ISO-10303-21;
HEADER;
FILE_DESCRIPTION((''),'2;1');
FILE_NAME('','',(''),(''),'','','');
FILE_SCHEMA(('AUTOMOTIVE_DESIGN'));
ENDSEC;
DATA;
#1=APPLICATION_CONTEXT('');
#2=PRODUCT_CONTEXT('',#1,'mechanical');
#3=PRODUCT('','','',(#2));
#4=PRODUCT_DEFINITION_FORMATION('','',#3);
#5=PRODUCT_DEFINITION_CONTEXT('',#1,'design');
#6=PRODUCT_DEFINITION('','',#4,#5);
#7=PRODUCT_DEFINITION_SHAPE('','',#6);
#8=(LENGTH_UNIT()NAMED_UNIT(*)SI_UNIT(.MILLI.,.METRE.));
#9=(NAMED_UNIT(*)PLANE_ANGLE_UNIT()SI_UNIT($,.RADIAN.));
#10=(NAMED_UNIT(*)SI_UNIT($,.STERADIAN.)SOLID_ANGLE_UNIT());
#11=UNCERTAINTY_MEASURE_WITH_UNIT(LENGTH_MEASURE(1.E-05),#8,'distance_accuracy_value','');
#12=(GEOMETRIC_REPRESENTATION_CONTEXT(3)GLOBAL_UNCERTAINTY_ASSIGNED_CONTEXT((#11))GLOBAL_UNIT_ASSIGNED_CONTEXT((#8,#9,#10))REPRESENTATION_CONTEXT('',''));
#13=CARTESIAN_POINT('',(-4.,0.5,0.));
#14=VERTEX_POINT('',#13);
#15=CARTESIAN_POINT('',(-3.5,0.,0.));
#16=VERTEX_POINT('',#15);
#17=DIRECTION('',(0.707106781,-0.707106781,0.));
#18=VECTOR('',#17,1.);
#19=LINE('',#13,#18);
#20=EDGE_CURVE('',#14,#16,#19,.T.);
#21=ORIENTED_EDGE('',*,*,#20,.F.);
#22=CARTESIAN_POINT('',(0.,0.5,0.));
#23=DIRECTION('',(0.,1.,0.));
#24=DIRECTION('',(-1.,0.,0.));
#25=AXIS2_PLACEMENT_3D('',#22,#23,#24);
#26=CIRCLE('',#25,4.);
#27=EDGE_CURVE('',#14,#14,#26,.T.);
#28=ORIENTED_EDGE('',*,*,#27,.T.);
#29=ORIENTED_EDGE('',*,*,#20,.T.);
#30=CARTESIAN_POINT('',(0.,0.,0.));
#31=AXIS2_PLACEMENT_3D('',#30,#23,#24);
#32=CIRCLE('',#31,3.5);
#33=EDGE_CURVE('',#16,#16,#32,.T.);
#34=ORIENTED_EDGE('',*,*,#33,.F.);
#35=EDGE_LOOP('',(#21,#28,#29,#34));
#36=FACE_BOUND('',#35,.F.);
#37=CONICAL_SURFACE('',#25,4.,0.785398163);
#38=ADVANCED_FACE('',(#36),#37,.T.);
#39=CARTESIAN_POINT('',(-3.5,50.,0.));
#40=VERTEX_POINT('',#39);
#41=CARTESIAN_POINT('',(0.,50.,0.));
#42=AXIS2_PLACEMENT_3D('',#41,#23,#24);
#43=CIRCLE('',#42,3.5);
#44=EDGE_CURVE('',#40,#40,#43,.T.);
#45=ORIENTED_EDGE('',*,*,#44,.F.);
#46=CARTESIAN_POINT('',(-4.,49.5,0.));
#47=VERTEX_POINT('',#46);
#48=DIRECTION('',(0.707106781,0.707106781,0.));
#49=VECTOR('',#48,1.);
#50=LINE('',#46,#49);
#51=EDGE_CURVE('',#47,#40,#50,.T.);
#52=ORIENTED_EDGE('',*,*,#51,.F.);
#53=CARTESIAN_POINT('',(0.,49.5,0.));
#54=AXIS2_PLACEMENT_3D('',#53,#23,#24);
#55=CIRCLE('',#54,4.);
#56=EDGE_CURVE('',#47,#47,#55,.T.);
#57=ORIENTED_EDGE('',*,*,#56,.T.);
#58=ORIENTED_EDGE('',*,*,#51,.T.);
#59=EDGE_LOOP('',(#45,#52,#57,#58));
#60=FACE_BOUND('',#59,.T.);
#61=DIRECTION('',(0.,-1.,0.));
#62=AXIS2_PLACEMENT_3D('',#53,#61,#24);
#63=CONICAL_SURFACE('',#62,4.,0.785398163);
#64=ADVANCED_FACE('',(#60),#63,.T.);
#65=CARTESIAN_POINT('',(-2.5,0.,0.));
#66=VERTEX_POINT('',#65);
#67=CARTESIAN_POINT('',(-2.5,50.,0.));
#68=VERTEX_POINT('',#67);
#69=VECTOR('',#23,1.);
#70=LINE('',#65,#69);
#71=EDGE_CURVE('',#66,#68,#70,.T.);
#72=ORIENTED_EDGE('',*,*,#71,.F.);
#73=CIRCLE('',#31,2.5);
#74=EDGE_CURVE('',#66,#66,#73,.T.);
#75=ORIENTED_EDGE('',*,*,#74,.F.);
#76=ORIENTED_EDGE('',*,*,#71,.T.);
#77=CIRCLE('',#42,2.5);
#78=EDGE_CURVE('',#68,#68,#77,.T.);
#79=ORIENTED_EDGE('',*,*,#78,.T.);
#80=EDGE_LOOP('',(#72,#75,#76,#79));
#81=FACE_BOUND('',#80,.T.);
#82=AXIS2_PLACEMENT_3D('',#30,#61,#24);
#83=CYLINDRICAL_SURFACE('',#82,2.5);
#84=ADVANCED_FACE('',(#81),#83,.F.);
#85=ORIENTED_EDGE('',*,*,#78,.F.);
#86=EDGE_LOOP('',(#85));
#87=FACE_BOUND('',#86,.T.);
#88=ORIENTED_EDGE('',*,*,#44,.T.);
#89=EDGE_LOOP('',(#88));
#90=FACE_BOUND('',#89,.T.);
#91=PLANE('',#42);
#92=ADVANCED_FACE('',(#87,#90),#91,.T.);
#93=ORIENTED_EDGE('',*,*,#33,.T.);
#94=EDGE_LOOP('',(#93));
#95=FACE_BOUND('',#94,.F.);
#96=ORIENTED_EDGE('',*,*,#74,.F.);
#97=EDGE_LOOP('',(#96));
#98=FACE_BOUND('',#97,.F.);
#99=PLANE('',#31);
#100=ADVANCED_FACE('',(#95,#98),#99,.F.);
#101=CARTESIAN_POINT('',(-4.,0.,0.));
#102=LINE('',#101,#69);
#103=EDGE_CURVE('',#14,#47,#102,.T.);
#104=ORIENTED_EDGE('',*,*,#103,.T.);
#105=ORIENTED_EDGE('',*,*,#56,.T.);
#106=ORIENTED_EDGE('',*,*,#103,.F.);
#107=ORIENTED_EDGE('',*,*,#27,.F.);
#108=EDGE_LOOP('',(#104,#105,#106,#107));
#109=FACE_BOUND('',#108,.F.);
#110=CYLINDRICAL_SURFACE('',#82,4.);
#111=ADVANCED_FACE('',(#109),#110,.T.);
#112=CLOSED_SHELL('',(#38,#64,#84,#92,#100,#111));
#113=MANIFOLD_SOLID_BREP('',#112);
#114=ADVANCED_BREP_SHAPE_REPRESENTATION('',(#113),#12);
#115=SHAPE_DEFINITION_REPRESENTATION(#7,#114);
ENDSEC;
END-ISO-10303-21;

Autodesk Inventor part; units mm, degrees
ref_plane "YZ Plane" through (0, 0, 0) normal (1, 0, 0) x (0, 1, 0)
ref_plane "XZ Plane" through (0, 0, 0) normal (0, 1, 0) x (-1, 0, 0)
ref_plane "XY Plane" through (0, 0, 0) normal (0, 0, 1) x (1, 0, 0)
sketch "Sketch1" plane through (0, 0, 0) normal (0, 1, 0) x (-1, 0, 0)
  circle A0 centre (0, 0) radius 4
  circle A1 centre (0, 0) radius 2.5
  dimension "d0" = 8
  dimension "d1" = 5
extrude "Extrusion1" add sketch "Sketch1" along normal blind 50
chamfer "Chamfer1" distance 0.5 angle 45 2 edges at (4, 50, 0) (4, 0, 0)
properties part number "pin_8_50"
